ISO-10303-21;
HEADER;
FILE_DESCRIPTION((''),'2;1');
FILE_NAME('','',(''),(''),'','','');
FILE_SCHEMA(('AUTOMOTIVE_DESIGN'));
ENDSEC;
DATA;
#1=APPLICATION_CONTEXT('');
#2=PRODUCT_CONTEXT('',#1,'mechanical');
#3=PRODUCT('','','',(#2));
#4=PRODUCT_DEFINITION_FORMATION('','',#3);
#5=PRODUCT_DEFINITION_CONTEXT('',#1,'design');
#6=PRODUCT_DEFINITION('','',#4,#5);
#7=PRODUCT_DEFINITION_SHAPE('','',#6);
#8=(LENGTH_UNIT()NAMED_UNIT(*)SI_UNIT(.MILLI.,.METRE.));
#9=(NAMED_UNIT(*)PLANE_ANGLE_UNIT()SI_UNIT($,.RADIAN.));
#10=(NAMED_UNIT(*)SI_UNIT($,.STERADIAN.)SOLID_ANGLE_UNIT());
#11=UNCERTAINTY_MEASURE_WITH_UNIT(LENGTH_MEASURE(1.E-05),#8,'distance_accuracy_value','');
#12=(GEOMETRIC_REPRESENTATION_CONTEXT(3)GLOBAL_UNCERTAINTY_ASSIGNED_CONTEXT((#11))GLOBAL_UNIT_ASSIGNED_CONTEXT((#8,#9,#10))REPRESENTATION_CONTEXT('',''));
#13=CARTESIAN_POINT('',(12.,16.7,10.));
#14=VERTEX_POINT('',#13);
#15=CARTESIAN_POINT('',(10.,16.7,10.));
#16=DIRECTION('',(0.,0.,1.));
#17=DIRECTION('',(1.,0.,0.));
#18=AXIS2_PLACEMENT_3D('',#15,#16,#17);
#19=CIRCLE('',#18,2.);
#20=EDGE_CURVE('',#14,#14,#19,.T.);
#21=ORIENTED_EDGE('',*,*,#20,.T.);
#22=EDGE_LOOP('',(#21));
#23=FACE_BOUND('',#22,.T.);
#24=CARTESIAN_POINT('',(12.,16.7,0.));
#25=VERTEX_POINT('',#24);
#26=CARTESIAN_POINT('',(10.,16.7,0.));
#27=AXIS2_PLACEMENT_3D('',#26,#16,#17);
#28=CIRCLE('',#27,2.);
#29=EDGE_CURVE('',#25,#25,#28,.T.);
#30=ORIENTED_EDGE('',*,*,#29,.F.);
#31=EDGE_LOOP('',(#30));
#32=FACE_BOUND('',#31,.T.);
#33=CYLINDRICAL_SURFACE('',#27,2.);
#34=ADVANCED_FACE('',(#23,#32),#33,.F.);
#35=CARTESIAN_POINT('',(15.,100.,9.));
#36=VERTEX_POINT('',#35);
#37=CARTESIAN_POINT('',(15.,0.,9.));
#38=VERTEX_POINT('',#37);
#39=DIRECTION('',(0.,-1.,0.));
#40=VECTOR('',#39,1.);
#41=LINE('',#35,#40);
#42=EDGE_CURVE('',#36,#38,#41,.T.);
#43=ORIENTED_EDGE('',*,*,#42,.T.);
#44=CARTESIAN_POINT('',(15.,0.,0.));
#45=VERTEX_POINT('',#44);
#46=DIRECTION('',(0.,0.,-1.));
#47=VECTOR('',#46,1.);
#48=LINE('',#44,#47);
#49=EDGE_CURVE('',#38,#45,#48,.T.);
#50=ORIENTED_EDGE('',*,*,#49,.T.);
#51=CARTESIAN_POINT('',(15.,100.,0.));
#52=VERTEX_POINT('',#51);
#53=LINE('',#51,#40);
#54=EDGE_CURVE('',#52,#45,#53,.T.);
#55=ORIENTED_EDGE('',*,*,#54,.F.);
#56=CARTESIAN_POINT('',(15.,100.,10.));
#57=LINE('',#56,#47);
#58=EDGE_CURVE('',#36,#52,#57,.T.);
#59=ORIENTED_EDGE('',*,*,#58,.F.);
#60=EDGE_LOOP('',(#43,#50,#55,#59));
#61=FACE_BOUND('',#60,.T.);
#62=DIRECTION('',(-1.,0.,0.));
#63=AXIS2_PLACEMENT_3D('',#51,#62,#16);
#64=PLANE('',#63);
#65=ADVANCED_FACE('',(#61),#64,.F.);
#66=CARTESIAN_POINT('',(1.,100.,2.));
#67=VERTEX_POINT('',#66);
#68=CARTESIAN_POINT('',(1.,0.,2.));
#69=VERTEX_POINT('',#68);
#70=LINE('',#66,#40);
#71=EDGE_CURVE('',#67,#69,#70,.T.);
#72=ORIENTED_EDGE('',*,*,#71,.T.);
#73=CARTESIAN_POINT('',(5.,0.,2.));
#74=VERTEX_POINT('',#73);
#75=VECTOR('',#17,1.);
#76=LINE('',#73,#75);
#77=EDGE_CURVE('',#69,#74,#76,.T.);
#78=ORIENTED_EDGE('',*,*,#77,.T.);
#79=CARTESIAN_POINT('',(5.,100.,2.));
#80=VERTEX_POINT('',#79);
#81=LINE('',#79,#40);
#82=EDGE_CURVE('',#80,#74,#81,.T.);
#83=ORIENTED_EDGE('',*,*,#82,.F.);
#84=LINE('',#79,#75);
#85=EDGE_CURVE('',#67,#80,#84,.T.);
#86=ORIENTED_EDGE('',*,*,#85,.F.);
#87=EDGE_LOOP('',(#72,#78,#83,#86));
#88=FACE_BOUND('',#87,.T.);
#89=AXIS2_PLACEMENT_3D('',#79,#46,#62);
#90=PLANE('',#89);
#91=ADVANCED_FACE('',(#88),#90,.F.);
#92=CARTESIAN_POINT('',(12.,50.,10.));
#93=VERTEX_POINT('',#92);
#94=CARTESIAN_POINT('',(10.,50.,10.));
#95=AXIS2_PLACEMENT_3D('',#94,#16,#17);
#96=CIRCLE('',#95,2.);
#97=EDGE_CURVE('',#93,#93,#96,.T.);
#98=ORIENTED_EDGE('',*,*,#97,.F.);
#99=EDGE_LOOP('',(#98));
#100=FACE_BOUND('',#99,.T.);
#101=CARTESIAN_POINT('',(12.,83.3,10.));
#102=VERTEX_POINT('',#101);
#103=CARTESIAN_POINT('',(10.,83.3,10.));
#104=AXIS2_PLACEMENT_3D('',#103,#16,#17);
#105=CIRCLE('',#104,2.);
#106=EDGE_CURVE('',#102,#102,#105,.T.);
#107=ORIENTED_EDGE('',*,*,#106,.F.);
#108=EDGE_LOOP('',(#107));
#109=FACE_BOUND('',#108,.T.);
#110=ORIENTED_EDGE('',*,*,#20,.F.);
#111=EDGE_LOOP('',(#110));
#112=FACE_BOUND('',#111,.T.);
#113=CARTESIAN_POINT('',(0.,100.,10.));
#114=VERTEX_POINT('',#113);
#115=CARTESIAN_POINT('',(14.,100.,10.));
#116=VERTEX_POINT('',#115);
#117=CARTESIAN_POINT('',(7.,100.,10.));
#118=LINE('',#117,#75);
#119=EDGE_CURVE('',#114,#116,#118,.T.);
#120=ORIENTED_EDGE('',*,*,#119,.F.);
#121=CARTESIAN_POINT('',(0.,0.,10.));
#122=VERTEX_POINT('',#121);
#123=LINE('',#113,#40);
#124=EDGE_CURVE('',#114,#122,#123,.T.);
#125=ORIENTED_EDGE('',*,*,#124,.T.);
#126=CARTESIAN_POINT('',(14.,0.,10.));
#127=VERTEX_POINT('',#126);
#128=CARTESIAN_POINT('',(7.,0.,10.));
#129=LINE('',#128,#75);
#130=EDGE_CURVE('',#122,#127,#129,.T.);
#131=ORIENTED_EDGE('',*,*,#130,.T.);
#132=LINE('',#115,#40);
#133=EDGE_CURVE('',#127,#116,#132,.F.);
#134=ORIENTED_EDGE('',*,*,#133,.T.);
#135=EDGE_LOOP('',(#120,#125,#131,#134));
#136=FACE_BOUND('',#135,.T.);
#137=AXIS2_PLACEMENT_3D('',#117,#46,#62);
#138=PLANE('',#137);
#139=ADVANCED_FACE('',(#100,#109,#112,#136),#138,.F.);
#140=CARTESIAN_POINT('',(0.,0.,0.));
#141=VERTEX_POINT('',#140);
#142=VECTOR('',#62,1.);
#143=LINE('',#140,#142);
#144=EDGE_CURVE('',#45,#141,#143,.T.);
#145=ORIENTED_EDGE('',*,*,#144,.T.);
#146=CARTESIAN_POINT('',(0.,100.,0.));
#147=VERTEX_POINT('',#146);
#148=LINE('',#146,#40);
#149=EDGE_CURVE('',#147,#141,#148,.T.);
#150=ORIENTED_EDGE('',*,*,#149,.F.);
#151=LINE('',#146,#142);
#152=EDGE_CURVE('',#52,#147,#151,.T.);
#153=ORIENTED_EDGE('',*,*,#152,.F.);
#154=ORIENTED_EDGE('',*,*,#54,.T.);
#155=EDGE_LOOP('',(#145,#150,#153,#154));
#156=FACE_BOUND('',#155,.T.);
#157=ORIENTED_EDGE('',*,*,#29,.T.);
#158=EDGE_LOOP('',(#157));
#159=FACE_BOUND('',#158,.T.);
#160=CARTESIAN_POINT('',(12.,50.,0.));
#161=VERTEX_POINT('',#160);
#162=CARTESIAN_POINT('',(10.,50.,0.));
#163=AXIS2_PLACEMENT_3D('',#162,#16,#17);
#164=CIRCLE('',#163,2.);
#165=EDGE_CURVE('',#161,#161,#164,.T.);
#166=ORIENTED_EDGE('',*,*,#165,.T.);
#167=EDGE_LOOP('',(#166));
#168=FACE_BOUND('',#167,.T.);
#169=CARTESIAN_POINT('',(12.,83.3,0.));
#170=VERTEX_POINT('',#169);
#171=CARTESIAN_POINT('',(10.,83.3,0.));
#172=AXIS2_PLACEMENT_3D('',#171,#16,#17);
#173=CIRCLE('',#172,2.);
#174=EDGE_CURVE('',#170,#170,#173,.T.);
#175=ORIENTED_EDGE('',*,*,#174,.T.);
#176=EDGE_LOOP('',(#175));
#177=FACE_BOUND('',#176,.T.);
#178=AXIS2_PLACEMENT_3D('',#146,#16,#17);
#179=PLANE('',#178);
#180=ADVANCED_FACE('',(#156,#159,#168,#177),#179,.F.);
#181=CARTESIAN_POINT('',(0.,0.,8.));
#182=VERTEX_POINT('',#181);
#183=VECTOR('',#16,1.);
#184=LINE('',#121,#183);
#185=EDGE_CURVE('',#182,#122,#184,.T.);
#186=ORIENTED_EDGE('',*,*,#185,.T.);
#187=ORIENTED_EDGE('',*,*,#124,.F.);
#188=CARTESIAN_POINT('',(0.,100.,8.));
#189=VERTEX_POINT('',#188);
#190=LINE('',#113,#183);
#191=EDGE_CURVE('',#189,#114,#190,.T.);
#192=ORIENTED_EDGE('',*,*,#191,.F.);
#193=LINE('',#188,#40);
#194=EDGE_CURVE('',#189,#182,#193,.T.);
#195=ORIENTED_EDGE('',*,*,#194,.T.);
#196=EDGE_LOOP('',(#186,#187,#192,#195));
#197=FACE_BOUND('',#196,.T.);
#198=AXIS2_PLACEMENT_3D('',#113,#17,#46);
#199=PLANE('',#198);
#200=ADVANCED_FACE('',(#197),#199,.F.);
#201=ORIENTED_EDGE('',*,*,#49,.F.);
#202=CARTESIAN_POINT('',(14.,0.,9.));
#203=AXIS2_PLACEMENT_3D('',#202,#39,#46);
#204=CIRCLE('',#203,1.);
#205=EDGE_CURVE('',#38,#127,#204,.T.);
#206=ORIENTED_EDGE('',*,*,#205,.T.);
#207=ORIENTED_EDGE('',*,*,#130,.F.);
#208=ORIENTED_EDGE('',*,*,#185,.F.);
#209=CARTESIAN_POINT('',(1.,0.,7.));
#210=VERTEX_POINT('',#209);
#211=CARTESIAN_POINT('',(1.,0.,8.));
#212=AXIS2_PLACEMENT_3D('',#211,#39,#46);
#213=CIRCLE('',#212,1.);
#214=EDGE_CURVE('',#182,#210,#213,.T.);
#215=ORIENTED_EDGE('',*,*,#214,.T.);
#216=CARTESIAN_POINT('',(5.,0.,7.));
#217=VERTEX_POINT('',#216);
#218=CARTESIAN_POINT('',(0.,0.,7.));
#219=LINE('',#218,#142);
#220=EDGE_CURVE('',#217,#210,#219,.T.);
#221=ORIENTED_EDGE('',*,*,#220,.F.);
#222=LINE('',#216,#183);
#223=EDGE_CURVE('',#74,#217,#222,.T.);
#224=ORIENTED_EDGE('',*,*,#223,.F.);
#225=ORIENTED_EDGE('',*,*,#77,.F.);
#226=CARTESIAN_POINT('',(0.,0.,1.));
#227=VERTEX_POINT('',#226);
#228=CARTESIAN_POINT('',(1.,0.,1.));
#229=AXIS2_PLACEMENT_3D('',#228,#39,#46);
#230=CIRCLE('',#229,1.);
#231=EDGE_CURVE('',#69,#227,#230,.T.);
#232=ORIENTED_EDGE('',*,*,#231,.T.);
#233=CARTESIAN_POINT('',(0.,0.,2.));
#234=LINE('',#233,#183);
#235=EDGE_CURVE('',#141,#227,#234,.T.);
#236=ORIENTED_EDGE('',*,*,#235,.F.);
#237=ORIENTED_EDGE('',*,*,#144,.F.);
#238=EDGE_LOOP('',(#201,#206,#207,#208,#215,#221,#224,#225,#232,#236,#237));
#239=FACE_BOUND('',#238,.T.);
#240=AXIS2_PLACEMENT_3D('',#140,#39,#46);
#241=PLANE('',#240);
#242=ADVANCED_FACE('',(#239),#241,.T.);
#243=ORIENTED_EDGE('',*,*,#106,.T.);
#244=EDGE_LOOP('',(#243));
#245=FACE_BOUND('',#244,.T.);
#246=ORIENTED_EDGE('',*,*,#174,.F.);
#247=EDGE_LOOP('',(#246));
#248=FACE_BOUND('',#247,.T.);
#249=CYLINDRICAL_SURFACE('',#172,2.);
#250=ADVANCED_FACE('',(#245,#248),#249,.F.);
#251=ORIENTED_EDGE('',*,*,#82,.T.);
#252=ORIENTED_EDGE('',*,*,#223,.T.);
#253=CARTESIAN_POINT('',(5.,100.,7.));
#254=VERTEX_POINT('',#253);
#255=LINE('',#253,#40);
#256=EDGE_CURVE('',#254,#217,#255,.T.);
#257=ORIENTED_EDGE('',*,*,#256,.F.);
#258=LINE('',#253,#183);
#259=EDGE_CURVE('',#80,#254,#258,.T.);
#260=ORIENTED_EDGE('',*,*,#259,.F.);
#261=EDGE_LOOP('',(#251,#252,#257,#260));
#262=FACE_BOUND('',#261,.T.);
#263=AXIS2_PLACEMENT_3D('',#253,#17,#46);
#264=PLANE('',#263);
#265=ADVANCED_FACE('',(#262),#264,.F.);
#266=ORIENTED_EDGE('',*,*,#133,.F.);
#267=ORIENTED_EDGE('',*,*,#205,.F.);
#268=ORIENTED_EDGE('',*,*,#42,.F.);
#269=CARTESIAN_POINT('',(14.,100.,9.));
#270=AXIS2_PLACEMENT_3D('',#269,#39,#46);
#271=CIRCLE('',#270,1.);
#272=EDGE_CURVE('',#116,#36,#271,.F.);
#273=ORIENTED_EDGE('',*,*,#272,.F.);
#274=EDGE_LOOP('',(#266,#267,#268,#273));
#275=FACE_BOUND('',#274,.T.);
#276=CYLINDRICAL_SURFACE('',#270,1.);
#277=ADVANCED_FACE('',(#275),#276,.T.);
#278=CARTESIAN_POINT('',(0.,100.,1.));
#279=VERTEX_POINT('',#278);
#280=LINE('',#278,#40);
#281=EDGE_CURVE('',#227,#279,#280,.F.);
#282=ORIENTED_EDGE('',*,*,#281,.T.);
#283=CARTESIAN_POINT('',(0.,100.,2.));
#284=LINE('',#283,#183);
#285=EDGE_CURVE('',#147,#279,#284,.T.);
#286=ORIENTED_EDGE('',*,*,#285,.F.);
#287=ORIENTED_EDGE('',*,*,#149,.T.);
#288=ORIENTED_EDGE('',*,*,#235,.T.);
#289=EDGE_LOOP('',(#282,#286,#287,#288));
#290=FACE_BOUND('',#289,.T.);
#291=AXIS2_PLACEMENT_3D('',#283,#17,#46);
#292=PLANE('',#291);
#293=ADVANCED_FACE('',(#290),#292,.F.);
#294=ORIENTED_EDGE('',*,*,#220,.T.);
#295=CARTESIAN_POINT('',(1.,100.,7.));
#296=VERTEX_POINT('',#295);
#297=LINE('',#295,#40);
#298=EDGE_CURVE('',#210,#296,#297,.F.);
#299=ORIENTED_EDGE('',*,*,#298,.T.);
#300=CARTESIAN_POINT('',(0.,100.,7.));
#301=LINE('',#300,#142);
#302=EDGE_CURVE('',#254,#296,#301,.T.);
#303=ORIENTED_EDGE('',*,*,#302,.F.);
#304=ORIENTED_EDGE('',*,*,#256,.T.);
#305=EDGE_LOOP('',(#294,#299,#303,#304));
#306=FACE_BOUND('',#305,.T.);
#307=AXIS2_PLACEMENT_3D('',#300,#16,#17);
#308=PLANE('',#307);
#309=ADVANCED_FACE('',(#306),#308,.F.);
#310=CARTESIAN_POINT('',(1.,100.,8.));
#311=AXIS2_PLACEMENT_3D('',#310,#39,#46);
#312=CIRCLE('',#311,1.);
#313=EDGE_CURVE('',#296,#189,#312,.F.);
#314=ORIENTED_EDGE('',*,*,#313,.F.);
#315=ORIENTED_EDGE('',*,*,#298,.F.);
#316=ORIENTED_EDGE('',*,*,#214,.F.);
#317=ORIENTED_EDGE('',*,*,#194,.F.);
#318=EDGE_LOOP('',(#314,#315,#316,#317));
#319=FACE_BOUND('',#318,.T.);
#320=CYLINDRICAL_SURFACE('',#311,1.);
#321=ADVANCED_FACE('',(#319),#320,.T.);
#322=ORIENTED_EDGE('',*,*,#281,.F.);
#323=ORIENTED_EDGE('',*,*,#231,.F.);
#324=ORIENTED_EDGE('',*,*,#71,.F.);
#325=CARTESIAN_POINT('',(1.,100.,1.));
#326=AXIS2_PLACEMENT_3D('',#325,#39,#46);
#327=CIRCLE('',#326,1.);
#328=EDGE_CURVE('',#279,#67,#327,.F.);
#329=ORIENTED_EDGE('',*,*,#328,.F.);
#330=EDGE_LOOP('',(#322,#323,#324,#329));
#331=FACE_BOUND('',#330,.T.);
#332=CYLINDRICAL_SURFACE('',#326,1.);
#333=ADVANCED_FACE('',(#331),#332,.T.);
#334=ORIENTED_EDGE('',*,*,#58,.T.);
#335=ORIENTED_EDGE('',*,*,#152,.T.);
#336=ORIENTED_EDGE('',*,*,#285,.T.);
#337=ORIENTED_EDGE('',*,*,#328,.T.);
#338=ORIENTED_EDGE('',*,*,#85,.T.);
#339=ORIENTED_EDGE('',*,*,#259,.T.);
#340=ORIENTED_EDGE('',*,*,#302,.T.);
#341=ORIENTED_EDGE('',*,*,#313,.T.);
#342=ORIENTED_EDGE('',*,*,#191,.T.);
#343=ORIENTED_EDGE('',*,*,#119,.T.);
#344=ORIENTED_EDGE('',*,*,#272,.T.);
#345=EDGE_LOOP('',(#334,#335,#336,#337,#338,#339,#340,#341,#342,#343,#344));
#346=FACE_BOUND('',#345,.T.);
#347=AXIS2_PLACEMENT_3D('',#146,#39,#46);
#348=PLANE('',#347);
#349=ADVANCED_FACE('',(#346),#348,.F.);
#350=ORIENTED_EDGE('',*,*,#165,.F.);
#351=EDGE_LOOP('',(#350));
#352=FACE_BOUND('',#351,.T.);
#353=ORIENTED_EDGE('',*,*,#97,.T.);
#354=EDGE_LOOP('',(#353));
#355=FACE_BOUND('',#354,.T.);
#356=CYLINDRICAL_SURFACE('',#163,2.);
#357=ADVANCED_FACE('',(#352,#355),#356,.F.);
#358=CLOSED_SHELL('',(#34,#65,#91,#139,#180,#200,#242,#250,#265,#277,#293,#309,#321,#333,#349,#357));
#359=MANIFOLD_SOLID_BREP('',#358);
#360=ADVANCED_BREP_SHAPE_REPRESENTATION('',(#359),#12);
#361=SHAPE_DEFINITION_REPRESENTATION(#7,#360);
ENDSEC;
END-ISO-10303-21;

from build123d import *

# Parameters (mm, degrees)
BOSS_EXTRUDE1_DEPTH = 100
FILLET1_R           = 1
SKETCH2_R           = 2
CUT_EXTRUDE1_DEPTH  = 10


with BuildPart() as part:
    # Sketch1 → Boss-Extrude1 (new body)
    with BuildSketch(Plane(origin=(0, 0, 0), x_dir=(1, 0, 0), z_dir=(0, 1, 0))):
        Polygon((0, 0), (15, 0), (15, -2), (15, -10), (7, -10), (0, -10), (0, -7), (5, -7), (5, -2), (0, -2), align=None)
    extrude(amount=BOSS_EXTRUDE1_DEPTH)

    # Fillet1
    fillet1_edges = [part.edges().sort_by_distance(p)[0] for p in [
        (15, 50, 10),
        (0, 50, 7),
        (0, 50, 2),
    ]]
    fillet(fillet1_edges, radius=FILLET1_R)

    # Sketch2 → Cut-Extrude1 (cut)
    with BuildSketch(Plane.XY.offset(10)):
        with Locations((10, 16.7)):
            Circle(SKETCH2_R)
        with Locations((10, 83.3)):
            Circle(SKETCH2_R)
        with Locations((10, 50)):
            Circle(SKETCH2_R)
    extrude(amount=-CUT_EXTRUDE1_DEPTH, mode=Mode.SUBTRACT)


solid = part.part
